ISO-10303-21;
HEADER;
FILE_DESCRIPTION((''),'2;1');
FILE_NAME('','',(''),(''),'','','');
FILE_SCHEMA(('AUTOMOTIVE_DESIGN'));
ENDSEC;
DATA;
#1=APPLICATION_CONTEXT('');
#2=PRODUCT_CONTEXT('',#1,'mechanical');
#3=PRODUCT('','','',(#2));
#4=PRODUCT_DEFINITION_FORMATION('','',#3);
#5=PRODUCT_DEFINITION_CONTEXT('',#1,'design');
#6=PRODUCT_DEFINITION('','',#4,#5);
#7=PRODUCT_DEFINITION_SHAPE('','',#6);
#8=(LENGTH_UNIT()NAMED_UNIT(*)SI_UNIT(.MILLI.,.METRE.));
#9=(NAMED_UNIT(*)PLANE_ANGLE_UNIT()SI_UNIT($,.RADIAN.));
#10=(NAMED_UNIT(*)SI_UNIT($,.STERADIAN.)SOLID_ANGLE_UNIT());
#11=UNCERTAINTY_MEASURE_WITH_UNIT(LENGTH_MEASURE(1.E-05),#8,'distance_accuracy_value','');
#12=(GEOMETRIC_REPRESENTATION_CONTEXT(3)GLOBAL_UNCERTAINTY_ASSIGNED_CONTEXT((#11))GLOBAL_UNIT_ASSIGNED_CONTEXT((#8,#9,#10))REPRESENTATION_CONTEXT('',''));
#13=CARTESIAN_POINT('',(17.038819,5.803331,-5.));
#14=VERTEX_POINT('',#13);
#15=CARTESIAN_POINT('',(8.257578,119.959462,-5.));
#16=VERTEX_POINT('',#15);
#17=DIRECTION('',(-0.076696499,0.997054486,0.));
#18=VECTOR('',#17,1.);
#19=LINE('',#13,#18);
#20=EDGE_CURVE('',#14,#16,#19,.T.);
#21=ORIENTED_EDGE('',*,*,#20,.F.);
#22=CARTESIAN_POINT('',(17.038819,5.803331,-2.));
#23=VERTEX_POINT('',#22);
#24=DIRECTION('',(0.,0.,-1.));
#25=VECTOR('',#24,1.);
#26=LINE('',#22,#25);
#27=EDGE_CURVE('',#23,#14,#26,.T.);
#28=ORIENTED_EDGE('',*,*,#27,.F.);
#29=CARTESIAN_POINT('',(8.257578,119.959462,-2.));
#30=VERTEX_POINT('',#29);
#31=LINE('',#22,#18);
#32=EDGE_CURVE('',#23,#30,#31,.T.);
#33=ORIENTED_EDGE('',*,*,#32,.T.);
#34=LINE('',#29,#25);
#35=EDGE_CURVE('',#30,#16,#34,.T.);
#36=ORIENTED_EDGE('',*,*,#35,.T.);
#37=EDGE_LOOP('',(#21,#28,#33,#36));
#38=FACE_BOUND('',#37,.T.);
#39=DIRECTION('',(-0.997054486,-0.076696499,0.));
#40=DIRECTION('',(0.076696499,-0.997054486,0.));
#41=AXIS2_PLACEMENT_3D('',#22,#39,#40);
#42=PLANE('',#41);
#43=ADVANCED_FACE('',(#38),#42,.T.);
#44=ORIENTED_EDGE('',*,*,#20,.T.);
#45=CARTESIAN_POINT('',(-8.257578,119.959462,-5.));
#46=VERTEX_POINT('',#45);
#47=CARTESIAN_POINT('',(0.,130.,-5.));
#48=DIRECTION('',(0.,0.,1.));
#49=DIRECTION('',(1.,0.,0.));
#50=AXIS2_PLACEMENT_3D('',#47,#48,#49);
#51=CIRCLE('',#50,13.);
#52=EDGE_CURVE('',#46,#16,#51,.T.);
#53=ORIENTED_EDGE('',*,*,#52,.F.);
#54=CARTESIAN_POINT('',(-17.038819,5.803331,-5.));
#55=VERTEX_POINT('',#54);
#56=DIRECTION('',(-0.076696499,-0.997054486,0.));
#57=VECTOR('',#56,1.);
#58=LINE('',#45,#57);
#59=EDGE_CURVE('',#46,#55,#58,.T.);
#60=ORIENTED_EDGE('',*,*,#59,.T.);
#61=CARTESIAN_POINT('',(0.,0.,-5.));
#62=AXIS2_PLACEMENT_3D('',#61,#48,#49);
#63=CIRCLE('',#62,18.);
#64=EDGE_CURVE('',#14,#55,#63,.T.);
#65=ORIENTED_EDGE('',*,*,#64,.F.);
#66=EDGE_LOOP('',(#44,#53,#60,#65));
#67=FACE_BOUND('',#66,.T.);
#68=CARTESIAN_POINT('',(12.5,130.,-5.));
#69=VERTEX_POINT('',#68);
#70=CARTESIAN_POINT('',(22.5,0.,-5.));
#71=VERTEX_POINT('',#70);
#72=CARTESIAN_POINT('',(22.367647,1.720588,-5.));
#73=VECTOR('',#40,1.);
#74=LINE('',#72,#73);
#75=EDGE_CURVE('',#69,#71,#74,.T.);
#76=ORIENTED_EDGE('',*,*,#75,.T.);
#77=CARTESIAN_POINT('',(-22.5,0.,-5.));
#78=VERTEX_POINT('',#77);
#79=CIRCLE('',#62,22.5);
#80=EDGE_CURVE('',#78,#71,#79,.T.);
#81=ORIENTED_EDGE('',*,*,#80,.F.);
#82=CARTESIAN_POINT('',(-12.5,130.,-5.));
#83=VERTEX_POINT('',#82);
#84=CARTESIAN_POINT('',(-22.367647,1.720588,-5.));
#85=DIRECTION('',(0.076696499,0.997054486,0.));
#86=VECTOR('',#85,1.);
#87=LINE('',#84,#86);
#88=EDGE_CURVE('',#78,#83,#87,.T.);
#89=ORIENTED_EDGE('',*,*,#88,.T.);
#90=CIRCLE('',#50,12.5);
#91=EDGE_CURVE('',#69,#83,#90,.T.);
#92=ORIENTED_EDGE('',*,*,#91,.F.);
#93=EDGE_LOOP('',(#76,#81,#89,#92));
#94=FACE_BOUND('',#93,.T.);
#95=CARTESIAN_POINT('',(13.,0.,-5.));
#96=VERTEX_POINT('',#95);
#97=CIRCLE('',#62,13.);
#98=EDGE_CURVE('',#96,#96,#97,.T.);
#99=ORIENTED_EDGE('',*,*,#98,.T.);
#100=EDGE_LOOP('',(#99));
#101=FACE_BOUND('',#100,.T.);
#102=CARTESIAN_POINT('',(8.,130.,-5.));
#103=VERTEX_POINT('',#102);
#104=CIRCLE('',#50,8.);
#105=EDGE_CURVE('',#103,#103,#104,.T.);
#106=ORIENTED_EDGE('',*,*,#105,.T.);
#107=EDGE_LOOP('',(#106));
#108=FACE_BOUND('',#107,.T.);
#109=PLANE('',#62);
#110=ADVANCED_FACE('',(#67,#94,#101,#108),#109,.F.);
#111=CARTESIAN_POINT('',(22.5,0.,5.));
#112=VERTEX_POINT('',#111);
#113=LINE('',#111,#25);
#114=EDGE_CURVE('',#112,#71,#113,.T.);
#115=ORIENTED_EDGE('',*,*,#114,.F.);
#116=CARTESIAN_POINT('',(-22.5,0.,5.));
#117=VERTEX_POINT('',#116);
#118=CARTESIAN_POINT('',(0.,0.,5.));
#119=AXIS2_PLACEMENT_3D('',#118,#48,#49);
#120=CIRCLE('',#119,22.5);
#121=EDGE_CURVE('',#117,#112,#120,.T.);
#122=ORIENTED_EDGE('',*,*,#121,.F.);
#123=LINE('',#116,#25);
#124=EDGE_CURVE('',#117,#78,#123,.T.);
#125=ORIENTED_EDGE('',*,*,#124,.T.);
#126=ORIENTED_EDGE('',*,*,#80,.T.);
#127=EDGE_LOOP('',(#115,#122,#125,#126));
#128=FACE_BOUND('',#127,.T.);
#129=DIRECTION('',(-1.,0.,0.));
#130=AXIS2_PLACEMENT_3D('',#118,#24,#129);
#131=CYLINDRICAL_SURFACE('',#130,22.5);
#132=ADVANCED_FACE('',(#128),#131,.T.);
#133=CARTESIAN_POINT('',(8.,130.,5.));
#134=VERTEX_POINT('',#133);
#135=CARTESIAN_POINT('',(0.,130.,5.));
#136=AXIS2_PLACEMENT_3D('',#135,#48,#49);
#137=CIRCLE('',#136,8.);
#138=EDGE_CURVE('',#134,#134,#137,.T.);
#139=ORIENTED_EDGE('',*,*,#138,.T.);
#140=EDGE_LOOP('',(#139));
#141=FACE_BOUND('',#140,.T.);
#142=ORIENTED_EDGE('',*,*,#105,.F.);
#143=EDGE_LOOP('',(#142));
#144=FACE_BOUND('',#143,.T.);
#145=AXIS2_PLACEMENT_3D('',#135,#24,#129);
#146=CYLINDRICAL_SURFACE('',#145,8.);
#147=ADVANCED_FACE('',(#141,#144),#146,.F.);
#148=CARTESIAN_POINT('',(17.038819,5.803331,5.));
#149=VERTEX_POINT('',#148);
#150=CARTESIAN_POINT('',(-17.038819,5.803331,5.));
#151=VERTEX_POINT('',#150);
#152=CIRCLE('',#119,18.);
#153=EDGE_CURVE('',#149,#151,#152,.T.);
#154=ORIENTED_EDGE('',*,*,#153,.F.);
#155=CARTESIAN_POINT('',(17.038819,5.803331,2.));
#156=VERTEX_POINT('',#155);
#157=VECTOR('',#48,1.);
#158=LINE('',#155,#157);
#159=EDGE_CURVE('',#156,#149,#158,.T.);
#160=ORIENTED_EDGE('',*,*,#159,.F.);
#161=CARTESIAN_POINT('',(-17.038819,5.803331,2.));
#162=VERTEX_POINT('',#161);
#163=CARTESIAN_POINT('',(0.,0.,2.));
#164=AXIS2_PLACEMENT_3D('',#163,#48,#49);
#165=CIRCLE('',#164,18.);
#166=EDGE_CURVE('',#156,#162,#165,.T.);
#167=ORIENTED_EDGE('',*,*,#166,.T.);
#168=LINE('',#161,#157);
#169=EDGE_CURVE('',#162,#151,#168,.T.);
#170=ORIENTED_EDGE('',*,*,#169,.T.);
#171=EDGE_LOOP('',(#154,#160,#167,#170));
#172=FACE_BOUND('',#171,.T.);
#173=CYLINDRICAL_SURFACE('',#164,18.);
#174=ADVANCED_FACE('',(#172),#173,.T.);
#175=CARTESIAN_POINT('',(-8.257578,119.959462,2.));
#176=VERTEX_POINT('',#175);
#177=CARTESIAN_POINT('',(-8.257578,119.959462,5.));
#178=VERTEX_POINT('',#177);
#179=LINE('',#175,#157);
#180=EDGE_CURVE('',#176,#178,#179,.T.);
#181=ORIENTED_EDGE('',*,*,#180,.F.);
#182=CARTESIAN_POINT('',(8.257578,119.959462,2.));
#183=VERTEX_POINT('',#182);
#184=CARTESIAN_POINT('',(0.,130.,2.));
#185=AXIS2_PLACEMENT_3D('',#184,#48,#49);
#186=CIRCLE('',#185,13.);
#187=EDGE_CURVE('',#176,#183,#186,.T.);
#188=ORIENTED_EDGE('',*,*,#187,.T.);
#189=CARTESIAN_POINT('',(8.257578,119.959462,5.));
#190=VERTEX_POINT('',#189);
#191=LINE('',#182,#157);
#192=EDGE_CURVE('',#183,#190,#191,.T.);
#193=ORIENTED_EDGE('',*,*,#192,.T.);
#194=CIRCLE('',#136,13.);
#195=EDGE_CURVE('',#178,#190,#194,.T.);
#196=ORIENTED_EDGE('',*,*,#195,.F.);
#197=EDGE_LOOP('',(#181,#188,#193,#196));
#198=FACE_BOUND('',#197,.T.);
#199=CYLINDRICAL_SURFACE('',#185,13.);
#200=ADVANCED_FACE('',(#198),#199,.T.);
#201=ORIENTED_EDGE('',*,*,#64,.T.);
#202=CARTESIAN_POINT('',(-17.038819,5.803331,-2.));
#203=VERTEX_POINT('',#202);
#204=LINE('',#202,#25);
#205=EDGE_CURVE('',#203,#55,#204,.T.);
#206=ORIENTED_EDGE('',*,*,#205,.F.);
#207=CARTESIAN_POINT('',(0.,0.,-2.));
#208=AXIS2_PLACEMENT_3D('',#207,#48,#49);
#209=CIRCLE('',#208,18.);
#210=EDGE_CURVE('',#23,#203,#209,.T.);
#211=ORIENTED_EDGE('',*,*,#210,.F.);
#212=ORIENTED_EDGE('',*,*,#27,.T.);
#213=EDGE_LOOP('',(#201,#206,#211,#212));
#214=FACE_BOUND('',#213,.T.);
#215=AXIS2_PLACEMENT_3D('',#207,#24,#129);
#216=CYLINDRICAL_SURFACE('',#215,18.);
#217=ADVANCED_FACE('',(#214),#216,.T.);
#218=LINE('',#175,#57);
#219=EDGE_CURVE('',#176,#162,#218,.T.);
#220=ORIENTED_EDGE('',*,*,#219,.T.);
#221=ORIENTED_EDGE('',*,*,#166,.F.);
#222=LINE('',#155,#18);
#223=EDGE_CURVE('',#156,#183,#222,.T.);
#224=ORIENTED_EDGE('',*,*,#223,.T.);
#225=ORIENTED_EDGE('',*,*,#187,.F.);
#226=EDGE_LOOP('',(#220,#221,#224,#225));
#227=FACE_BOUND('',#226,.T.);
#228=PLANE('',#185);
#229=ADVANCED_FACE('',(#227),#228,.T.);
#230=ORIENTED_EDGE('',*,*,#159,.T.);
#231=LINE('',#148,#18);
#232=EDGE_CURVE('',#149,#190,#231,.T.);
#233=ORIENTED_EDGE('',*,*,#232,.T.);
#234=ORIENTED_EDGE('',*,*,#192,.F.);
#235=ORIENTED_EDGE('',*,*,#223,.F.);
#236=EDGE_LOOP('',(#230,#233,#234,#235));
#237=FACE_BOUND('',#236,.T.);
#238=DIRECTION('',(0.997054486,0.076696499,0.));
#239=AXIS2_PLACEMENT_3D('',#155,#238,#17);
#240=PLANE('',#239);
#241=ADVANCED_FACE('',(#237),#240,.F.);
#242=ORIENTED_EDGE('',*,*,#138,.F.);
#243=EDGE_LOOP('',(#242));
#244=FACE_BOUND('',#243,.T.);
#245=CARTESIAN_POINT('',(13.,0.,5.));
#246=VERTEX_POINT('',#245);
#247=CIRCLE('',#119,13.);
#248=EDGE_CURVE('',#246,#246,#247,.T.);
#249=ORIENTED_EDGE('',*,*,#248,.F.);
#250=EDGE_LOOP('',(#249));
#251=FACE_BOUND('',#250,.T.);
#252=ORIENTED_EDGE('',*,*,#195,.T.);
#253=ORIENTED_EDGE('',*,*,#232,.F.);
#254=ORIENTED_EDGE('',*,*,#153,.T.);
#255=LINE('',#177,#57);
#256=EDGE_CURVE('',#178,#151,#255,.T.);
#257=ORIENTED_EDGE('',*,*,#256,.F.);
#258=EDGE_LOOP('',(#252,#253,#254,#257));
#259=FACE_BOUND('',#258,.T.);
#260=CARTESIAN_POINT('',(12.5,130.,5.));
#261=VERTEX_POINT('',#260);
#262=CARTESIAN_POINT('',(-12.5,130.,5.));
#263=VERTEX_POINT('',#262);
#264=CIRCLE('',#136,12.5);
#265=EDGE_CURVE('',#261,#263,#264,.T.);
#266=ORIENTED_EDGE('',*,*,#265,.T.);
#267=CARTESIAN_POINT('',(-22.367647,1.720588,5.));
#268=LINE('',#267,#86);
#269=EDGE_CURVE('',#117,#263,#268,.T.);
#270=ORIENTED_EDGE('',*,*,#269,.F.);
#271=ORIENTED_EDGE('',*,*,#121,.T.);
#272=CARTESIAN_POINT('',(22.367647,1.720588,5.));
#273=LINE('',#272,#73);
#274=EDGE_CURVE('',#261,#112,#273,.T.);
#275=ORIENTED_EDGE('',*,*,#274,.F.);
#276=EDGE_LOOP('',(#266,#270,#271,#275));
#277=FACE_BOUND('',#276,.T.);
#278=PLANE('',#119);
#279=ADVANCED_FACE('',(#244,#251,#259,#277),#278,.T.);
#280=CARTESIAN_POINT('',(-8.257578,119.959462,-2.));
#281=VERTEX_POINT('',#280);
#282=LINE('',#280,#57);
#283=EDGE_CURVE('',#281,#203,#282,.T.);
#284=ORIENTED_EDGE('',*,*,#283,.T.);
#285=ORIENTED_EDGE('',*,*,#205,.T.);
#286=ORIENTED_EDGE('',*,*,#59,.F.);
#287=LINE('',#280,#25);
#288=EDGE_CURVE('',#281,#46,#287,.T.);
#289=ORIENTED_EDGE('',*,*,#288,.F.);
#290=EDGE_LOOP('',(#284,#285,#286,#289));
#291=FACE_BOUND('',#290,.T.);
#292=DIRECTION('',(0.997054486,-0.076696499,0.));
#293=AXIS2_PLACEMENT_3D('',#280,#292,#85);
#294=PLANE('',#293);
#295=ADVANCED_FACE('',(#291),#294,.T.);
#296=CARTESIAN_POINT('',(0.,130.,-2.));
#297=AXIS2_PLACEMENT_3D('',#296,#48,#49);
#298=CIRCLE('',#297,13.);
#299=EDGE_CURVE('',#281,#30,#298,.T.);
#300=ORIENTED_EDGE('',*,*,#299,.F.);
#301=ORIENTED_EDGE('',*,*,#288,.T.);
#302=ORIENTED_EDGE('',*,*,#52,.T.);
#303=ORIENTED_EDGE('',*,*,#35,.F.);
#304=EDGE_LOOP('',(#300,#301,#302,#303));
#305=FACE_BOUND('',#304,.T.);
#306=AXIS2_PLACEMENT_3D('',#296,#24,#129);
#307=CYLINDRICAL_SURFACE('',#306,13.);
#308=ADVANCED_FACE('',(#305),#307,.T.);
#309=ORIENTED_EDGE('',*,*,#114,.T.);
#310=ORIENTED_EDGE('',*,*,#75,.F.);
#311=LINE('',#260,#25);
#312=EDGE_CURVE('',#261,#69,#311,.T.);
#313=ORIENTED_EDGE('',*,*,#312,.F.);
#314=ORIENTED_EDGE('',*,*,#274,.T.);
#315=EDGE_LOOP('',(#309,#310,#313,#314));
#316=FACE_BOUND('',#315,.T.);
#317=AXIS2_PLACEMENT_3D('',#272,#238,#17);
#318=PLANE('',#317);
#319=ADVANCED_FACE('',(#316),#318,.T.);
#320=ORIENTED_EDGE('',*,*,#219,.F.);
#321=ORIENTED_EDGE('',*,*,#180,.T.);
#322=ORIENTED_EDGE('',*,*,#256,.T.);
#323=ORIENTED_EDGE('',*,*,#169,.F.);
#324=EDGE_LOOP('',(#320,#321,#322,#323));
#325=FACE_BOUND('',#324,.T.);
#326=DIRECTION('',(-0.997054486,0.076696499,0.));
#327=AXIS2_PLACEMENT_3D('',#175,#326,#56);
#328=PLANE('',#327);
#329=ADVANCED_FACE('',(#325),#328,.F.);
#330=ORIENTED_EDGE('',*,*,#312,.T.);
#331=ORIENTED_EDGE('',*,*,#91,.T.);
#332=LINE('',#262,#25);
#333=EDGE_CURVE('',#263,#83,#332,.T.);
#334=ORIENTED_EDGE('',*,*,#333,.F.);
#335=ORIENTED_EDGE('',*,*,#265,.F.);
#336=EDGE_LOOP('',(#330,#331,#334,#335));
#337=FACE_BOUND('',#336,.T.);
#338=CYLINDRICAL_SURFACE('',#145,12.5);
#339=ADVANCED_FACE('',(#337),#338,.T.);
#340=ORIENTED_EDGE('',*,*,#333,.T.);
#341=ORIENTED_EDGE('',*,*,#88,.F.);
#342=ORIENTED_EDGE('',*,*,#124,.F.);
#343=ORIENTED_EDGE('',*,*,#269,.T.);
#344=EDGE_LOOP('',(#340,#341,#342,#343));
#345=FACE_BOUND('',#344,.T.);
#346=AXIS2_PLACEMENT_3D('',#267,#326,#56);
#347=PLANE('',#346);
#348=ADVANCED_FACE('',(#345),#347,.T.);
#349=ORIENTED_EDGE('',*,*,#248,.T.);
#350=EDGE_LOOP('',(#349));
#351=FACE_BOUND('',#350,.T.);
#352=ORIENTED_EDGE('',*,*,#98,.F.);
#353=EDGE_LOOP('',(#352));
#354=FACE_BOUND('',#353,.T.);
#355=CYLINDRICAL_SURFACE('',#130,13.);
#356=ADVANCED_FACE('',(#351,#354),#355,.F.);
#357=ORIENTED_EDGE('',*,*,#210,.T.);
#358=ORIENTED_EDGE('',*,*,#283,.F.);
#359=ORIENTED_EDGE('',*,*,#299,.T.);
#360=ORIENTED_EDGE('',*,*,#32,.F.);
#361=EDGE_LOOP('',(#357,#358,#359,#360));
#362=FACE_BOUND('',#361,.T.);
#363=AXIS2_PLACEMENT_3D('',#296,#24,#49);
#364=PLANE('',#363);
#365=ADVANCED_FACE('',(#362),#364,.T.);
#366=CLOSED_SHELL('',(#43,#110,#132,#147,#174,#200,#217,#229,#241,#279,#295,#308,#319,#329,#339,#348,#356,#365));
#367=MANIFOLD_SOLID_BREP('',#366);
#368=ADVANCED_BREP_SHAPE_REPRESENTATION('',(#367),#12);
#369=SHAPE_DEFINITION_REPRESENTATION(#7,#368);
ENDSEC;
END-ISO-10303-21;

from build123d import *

# Parameters (mm, degrees)
SKETCH2_R           = 12.5
SKETCH2_R_2         = 8
SKETCH2_R_3         = 13
BOSS_EXTRUDE1_DEPTH = 5
CUT_EXTRUDE1_DEPTH  = 3


with BuildPart() as part:
    # Sketch2 → Boss-Extrude1 (new, symmetric)
    # profile 1 of 3: a face of its own
    with BuildSketch(Plane.XY):
        with Locations((0, 130)):
            Circle(SKETCH2_R)
        with Locations((0, 130)):
            Circle(SKETCH2_R_2, mode=Mode.SUBTRACT)
    # profile 2 of 3: a face of its own
    with BuildSketch(Plane.XY):
        with BuildLine():
            Line((-12.5, 130), (-22.235294118, 3.441176471))
            ThreePointArc((-22.235294118, 3.441176471), (0, 22.5), (22.235294118, 3.441176471))
            Line((22.235294118, 3.441176471), (12.5, 130))
            ThreePointArc((12.5, 130), (0, 117.5), (-12.5, 130))
        make_face()
    # profile 3 of 3: a face of its own
    with BuildSketch(Plane.XY):
        with BuildLine():
            Line((-22.235294118, 3.441176471), (-22.5, 0))
            ThreePointArc((-22.5, 0), (0, -22.5), (22.5, 0))
            Line((22.5, 0), (22.235294118, 3.441176471))
            ThreePointArc((22.235294118, 3.441176471), (0, 22.5), (-22.235294118, 3.441176471))
        make_face()
        Circle(SKETCH2_R_3, mode=Mode.SUBTRACT)
    extrude(amount=BOSS_EXTRUDE1_DEPTH, both=True)

    # Sketch3 → Cut-Extrude1 (cut)
    with BuildSketch(Plane.XY.offset(5)):
        with BuildLine():
            Line((-8.257578004, 119.959461892), (-17.038818827, 5.803331197))
            ThreePointArc((-17.038818827, 5.803331197), (0, 18), (17.038818827, 5.803331197))
            Line((17.038818827, 5.803331197), (8.257578004, 119.959461892))
            ThreePointArc((8.257578004, 119.959461892), (0, 117), (-8.257578004, 119.959461892))
        make_face()
    cut_extrude1 = extrude(amount=-CUT_EXTRUDE1_DEPTH, mode=Mode.SUBTRACT)

    # Mirror1: Cut-Extrude1 across plane
    add(cut_extrude1.mirror(Plane.XY), mode=Mode.SUBTRACT)


solid = part.part
